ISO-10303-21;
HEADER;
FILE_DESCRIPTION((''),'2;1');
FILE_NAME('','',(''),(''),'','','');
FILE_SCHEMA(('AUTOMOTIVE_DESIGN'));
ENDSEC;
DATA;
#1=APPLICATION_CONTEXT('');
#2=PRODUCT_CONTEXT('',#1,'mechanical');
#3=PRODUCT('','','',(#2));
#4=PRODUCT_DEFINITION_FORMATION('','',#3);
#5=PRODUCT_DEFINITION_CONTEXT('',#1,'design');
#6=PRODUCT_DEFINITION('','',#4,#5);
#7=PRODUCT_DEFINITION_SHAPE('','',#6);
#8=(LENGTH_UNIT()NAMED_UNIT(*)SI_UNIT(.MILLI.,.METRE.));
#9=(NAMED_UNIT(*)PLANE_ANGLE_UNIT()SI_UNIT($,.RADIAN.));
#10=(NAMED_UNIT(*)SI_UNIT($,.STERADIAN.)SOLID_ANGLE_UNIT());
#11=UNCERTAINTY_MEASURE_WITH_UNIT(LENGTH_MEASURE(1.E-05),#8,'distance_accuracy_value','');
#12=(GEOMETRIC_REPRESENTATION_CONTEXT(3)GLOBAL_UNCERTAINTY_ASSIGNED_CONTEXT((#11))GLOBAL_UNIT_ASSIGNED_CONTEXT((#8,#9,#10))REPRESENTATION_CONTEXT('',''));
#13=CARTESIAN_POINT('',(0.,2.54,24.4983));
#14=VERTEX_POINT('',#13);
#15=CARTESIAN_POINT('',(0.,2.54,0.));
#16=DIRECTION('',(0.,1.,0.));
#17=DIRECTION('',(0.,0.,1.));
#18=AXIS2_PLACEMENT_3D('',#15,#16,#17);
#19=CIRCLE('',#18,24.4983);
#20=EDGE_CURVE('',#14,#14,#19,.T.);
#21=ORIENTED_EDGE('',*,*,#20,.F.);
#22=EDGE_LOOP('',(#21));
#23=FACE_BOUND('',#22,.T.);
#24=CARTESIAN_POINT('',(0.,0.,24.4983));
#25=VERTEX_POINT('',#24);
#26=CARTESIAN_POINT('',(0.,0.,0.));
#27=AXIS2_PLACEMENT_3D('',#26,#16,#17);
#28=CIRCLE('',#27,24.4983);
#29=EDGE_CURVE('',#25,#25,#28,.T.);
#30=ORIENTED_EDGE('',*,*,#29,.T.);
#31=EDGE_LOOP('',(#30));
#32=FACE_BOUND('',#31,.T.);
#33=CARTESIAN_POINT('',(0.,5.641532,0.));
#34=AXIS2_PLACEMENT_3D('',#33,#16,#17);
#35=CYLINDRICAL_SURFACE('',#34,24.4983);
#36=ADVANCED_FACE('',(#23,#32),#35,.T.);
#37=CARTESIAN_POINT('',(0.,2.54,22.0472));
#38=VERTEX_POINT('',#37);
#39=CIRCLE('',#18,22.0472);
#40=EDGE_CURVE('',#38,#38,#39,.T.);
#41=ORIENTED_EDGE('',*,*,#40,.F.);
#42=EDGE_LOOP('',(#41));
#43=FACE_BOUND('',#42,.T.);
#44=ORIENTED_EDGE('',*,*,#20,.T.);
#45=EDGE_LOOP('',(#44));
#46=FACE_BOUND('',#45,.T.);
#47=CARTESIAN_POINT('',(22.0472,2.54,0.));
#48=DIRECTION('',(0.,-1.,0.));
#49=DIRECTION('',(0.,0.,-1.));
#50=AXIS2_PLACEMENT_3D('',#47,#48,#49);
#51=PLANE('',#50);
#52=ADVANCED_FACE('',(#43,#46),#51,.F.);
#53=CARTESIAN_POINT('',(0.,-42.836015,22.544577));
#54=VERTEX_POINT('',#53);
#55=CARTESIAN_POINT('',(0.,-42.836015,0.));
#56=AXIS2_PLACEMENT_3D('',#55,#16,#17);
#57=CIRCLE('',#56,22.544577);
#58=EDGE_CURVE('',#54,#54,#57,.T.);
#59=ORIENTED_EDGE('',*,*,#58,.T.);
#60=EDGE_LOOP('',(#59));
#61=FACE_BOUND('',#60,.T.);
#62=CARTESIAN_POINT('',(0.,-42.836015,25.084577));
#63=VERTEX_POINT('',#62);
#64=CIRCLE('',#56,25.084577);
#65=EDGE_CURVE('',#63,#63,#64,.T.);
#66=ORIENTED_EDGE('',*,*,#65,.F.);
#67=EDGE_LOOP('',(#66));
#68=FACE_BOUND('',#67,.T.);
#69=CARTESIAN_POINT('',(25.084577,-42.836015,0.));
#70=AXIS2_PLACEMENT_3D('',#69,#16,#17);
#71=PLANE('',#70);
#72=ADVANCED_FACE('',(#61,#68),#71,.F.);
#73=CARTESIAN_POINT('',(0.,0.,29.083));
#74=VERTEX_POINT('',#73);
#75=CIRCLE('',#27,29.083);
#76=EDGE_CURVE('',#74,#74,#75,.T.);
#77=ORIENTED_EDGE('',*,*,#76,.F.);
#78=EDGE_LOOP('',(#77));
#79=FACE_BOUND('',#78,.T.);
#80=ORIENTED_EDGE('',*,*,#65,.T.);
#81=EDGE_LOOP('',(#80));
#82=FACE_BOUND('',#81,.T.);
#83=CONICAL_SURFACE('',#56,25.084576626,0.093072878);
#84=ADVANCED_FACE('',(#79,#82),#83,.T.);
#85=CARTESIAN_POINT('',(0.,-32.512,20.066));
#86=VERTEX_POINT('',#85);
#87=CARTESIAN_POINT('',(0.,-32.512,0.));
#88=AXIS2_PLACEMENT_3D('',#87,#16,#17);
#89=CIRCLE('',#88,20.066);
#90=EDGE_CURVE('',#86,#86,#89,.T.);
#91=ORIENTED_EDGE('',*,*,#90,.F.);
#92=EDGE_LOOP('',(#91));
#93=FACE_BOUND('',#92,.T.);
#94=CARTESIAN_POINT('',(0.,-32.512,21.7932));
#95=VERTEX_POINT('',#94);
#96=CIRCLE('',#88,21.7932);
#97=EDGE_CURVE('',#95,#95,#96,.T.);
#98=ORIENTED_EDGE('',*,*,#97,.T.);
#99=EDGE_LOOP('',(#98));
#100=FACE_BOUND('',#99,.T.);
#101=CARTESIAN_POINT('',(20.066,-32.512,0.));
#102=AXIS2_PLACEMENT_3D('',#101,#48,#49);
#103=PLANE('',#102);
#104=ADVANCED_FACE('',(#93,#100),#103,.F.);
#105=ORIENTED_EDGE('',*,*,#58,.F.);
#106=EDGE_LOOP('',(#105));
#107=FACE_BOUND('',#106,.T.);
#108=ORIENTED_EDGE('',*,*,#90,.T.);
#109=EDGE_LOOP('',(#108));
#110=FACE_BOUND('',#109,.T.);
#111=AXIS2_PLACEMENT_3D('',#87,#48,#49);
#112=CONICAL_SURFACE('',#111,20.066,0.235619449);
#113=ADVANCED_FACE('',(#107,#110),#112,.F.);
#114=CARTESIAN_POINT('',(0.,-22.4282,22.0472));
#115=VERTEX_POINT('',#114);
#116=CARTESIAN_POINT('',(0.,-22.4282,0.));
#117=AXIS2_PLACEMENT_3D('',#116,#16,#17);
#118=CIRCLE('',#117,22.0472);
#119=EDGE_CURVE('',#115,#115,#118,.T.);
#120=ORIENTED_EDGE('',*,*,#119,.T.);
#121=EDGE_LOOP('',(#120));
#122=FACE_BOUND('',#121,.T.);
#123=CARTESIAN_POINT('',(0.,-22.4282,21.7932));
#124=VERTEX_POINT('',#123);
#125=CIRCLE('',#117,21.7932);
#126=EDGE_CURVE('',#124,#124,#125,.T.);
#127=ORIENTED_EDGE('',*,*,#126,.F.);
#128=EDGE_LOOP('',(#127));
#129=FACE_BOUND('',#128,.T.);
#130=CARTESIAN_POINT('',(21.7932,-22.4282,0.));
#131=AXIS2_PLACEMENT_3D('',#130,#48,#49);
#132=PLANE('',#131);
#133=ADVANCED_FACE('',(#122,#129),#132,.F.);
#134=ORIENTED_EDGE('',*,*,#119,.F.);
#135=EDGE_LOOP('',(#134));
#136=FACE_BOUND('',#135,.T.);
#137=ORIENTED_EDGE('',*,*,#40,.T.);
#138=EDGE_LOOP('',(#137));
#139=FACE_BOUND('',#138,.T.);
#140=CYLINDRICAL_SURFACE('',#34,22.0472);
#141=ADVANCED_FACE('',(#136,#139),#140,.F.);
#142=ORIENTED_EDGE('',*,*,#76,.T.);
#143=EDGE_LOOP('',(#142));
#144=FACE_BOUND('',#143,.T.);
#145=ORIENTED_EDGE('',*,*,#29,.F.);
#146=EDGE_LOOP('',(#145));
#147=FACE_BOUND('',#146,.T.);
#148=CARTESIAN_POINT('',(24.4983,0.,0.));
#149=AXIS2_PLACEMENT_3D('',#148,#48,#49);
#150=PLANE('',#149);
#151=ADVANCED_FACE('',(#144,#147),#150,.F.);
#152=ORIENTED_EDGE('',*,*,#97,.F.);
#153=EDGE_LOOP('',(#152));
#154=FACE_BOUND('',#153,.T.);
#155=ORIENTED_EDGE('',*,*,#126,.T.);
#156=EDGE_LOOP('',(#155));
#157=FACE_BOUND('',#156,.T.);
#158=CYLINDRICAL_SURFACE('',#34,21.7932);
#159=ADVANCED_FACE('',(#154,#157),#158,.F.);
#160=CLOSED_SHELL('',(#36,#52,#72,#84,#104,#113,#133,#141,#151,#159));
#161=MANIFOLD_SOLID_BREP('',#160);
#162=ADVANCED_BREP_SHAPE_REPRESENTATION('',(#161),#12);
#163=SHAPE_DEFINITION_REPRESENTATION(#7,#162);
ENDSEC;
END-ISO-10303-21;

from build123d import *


with BuildPart() as part:
    # Sketch1 → Revolve1 (revolve)
    with BuildSketch(Plane.XY):
        Polygon((20.066, -32.512), (22.544576626, -42.836014649), (25.084576626, -42.836014649), (29.083, 0), (24.4983, 0), (24.4983, 2.54), (22.0472, 2.54), (22.0472, -22.4282), (21.7932, -22.4282), (21.7932, -32.512), align=None)
    revolve(axis=Axis((0, 5.641532331, 0), (0, -1, 0)))


solid = part.part
